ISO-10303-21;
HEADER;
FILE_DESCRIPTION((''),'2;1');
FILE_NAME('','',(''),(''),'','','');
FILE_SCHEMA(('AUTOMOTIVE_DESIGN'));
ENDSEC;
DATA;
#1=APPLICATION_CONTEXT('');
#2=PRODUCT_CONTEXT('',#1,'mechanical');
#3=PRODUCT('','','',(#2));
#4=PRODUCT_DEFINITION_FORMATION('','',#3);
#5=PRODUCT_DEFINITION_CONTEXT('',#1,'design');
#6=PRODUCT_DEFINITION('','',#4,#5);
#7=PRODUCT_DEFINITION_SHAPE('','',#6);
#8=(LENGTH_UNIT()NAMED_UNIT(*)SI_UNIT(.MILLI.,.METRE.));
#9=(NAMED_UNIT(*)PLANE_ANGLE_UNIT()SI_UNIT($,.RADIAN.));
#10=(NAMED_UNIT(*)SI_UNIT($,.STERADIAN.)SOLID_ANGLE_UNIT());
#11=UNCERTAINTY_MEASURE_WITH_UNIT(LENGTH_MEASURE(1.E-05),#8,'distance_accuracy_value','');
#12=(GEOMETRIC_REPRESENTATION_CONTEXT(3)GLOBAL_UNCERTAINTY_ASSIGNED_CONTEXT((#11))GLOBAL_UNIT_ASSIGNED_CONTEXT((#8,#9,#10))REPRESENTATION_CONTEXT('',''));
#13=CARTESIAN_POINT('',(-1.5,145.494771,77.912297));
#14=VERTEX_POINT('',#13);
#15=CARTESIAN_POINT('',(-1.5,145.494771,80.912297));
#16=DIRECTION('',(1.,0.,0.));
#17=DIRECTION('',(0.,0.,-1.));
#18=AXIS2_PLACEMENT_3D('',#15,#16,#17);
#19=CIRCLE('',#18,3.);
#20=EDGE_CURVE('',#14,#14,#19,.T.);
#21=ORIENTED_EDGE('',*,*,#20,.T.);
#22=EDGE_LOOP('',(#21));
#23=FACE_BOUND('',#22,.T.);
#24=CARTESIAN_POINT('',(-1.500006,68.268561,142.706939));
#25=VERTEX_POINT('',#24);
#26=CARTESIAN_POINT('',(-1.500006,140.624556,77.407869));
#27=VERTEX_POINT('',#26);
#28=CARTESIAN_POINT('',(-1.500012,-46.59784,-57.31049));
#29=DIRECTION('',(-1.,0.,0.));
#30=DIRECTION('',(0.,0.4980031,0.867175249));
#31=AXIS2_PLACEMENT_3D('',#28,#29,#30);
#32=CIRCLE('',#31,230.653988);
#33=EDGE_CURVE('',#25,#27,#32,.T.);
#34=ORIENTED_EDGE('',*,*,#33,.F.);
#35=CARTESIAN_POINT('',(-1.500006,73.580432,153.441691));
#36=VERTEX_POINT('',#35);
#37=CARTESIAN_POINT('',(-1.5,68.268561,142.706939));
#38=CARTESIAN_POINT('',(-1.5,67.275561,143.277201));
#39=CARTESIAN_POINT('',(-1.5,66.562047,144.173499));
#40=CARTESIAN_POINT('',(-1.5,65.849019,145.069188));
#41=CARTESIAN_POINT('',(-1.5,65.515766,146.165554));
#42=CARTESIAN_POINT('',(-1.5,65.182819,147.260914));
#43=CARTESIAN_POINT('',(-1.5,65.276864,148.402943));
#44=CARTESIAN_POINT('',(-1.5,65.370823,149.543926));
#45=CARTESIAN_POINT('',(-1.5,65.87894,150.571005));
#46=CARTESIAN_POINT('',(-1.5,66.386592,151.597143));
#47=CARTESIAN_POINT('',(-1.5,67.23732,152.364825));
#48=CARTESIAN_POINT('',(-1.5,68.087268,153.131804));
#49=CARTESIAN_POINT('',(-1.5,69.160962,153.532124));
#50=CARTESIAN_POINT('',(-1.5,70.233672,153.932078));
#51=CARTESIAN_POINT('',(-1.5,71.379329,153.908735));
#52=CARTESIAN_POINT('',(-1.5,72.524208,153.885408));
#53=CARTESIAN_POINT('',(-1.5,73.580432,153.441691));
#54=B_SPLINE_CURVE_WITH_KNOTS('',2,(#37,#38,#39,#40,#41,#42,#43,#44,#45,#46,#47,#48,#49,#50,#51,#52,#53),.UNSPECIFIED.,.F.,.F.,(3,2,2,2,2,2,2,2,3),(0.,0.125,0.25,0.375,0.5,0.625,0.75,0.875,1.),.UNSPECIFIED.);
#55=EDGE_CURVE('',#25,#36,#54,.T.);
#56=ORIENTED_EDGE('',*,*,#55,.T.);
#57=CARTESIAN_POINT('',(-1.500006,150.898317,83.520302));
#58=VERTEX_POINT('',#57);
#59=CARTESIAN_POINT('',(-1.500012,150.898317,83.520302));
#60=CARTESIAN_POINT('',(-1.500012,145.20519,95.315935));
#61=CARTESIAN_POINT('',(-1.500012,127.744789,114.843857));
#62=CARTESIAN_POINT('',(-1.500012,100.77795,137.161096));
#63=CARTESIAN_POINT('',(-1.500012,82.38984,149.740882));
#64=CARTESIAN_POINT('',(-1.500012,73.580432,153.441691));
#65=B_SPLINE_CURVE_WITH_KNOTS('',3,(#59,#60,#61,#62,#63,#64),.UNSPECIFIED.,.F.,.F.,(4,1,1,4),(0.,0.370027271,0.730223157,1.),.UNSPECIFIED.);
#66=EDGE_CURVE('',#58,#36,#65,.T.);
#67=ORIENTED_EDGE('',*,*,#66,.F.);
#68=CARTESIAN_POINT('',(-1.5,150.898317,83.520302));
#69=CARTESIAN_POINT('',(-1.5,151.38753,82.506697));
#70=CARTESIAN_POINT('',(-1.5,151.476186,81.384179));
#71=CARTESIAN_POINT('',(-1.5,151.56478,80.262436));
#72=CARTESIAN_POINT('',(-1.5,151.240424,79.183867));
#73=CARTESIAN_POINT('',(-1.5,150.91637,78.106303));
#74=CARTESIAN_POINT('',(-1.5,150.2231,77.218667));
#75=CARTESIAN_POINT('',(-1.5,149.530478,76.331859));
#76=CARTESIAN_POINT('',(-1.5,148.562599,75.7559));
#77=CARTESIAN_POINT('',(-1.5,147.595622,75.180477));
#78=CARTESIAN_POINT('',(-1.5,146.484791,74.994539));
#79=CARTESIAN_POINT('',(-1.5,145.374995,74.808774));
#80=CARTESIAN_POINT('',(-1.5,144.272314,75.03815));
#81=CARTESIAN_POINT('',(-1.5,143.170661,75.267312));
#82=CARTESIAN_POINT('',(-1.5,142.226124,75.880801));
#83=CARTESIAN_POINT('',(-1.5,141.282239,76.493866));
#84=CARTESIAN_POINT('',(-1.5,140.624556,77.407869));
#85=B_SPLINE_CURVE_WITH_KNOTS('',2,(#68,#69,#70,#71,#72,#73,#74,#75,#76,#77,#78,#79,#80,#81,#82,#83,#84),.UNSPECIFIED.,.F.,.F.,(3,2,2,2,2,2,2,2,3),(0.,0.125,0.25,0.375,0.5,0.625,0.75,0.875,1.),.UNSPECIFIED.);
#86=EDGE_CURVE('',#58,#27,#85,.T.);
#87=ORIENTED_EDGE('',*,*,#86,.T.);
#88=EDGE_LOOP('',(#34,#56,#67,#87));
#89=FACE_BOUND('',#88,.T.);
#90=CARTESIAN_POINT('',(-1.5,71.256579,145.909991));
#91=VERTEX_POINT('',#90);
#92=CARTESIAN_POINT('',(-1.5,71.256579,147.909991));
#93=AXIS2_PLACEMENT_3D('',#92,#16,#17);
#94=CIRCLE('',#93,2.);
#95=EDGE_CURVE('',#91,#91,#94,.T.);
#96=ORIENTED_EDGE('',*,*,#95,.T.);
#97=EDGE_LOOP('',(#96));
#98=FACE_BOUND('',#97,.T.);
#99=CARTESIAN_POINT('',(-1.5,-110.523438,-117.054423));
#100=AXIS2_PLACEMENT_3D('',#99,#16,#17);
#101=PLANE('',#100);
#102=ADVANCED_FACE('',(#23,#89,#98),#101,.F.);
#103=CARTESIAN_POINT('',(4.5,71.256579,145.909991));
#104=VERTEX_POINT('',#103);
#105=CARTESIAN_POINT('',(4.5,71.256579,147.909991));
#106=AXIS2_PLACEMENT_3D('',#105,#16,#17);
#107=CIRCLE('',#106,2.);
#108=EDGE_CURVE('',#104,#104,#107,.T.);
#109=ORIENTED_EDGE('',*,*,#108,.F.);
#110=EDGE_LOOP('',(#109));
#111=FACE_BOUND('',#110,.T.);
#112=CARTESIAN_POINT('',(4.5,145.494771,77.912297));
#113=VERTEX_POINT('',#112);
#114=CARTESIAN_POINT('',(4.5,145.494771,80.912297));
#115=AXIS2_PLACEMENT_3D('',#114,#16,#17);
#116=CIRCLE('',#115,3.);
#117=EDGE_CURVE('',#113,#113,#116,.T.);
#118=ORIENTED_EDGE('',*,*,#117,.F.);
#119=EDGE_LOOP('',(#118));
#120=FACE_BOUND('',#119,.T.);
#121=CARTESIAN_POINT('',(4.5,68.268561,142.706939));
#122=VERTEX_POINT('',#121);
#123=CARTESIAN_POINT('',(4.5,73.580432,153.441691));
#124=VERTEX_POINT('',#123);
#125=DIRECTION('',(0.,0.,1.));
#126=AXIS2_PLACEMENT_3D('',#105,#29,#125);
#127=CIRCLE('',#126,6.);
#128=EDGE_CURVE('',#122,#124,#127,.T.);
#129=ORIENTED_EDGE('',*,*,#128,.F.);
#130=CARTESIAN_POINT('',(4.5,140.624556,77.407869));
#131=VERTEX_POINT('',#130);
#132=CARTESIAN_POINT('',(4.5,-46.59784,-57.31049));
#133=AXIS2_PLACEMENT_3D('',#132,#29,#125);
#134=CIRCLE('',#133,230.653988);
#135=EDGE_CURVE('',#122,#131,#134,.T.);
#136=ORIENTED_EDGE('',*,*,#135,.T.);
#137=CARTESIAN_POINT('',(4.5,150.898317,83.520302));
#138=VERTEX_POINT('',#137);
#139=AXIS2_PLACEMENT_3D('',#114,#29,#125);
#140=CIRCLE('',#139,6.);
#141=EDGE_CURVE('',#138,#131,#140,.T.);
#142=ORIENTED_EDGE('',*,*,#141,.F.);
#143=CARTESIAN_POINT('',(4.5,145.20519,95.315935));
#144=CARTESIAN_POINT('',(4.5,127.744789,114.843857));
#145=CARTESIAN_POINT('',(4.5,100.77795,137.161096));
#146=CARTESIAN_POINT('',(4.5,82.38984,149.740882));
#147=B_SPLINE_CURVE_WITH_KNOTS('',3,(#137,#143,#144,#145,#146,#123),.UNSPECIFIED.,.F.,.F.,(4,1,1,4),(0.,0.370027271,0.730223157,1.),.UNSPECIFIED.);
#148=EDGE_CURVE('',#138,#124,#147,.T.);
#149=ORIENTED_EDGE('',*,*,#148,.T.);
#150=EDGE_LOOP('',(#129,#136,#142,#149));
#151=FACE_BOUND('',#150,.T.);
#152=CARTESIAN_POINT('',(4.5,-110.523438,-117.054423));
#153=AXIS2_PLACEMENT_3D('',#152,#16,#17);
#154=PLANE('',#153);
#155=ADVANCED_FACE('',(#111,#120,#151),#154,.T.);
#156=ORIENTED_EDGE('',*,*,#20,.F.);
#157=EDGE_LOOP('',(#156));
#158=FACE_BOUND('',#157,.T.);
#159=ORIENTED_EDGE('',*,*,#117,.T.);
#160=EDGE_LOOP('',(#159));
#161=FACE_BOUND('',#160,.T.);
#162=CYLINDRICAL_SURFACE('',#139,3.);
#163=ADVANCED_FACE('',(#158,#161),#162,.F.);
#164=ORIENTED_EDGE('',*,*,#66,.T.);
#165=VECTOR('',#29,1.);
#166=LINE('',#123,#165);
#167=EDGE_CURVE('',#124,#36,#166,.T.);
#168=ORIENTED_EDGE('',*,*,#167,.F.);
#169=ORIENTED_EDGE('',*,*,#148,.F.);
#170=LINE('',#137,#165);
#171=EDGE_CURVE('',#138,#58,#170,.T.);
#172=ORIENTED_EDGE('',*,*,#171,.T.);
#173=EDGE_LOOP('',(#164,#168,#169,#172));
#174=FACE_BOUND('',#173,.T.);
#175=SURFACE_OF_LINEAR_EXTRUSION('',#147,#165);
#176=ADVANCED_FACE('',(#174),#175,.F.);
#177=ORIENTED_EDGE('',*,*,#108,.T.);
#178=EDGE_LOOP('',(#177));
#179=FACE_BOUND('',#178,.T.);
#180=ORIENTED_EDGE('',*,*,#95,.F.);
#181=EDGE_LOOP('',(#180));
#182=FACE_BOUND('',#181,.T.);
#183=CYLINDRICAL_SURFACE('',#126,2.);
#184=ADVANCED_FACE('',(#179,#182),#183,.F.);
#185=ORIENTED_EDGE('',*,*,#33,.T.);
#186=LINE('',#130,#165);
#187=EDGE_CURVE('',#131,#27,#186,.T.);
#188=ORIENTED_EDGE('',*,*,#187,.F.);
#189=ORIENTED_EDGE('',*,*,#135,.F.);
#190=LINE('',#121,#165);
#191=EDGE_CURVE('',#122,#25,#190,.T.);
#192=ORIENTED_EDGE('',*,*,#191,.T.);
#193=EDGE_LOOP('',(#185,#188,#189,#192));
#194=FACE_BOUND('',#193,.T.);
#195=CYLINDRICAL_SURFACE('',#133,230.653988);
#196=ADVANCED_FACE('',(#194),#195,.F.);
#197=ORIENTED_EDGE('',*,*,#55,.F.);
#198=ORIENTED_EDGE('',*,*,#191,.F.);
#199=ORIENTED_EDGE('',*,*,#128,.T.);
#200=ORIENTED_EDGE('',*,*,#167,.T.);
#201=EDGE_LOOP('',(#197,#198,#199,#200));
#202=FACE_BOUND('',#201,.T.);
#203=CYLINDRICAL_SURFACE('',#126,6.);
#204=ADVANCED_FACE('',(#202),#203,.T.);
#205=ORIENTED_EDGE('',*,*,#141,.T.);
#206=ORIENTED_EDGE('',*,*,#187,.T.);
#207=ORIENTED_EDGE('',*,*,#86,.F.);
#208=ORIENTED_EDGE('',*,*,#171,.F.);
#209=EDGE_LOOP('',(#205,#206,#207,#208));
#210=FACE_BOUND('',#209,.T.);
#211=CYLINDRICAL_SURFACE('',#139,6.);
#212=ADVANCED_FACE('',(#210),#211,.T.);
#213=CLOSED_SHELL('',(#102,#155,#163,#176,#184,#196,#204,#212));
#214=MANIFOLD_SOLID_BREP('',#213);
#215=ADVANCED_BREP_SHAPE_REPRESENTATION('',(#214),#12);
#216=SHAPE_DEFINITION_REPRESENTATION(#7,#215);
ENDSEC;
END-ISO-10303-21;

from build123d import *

# Parameters (mm, degrees)
SKETCH3_R               = 1.5
SKETCH3_R_2             = 1
BOSS_EXTRUDE2_DEPTH     = 3
SCALE1_SCALE            = 2
CUT_EXTRUDE1_DEPTH      = 236.835290083
CUT_EXTRUDE1_DEPTH_BACK = 236.835290083


with BuildPart() as part:
    # Sketch3 → Boss-Extrude2 (new body)
    with BuildSketch(Plane.YZ):
        with BuildLine():
            ThreePointArc((118.150026657, 100.656257205), (107.173519636, 113.210773098), (93.56234312, 122.845888539))
            ThreePointArc((93.56234312, 122.845888539), (81.890744338, 136.842623997), (100.108836706, 136.356895566))
            ThreePointArc((100.108836706, 136.356895566), (117.223173705, 124.346501771), (130.920746245, 108.550090897))
            ThreePointArc((130.920746245, 108.550090897), (133.266943269, 90.477177984), (118.150026657, 100.656257205))
        make_face()
        with Locations(Location((128.009104434, 98.9833599, 0), (0, 0, 270))):
            Circle(SKETCH3_R, mode=Mode.SUBTRACT)
        with Locations(Location((90.890008855, 132.482206797, 0), (0, 0, 270))):
            Circle(SKETCH3_R_2, mode=Mode.SUBTRACT)
    extrude(amount=BOSS_EXTRUDE2_DEPTH)


with BuildPart() as part_1:
    # Scale1: scaled about (1.5, 110.52343824, 117.054422993)
    add(part.part.scale(SCALE1_SCALE).moved(Location((-1.5, -110.52343824, -117.054422993))))

    # Sketch4 → Cut-Extrude1 (cut, two sides: drawn at the far end of the back side and taken through both)
    # profile 1 of 2: a face of its own
    with BuildSketch(Plane(origin=(-1.5, 0, 0), x_dir=(0, -1, 0), z_dir=(-1, 0, 0)).offset(-CUT_EXTRUDE1_DEPTH_BACK)):
        with BuildLine():
            ThreePointArc((-97.213316268, 162.951526918), (-130.622678549, 139.062399665), (-157.803069224, 108.271130585))
            ThreePointArc((-157.803069224, 108.271130585), (-161.544389081, 55.566493456), (-115.500216043, 81.48386945))
            ThreePointArc((-115.500216043, 81.48386945), (-97.123831652, 101.943304086), (-74.892452954, 118.131131925))
            ThreePointArc((-74.892452954, 118.131131925), (-44.402388035, 161.28356164), (-97.213316268, 162.951526918))
        make_face()
        with BuildLine():
            ThreePointArc((-125.776615074, 84.258091416), (-103.823601031, 109.367123202), (-76.601248, 128.637354084))
            ThreePointArc((-76.601248, 128.637354084), (-53.258050437, 156.630825002), (-89.694235172, 155.659368138))
            ThreePointArc((-89.694235172, 155.659368138), (-123.922909169, 131.638580549), (-151.318054249, 100.045758801))
            ThreePointArc((-151.318054249, 100.045758801), (-156.010448298, 63.899932976), (-125.776615074, 84.258091416))
        make_face(mode=Mode.SUBTRACT)
    # profile 2 of 2: a face of its own
    with BuildSketch(Plane(origin=(-1.5, 0, 0), x_dir=(0, -1, 0), z_dir=(-1, 0, 0)).offset(-CUT_EXTRUDE1_DEPTH_BACK)):
        with BuildLine():
            ThreePointArc((-151.318054249, 100.045758801), (-156.010448298, 63.899932976), (-125.776615074, 84.258091416))
            ThreePointArc((-125.776615074, 84.258091416), (-103.823601031, 109.367123202), (-76.601248, 128.637354084))
            ThreePointArc((-76.601248, 128.637354084), (-53.258050437, 156.630825002), (-89.694235172, 155.659368138))
            ThreePointArc((-89.694235172, 155.659368138), (-123.922909169, 131.638580549), (-151.318054249, 100.045758801))
        make_face()
        with BuildLine():
            ThreePointArc((-150.898316566, 83.520302039), (-148.562598659, 75.755899696), (-140.624556205, 77.407869396))
            ThreePointArc((-140.624556205, 77.407869396), (-107.93501235, 113.922858215), (-68.268560869, 142.706939107))
            ThreePointArc((-68.268560869, 142.706939107), (-65.87894024, 150.571004751), (-73.580432021, 153.441691001))
            add(Edge.make_bspline(
                [(-150.898316566, 83.520302039), (-145.205189888, 95.315934641), (-127.744788656, 114.843857064), (-100.777949871, 137.161096472), (-82.38983998, 149.740882267), (-73.580432021, 153.441691001)],
                knots=[0, 0, 0, 0, 0.370027271, 0.730223157, 1, 1, 1, 1], degree=3))
        make_face(mode=Mode.SUBTRACT)
    extrude(amount=CUT_EXTRUDE1_DEPTH + CUT_EXTRUDE1_DEPTH_BACK, mode=Mode.SUBTRACT)


solid = part_1.part
